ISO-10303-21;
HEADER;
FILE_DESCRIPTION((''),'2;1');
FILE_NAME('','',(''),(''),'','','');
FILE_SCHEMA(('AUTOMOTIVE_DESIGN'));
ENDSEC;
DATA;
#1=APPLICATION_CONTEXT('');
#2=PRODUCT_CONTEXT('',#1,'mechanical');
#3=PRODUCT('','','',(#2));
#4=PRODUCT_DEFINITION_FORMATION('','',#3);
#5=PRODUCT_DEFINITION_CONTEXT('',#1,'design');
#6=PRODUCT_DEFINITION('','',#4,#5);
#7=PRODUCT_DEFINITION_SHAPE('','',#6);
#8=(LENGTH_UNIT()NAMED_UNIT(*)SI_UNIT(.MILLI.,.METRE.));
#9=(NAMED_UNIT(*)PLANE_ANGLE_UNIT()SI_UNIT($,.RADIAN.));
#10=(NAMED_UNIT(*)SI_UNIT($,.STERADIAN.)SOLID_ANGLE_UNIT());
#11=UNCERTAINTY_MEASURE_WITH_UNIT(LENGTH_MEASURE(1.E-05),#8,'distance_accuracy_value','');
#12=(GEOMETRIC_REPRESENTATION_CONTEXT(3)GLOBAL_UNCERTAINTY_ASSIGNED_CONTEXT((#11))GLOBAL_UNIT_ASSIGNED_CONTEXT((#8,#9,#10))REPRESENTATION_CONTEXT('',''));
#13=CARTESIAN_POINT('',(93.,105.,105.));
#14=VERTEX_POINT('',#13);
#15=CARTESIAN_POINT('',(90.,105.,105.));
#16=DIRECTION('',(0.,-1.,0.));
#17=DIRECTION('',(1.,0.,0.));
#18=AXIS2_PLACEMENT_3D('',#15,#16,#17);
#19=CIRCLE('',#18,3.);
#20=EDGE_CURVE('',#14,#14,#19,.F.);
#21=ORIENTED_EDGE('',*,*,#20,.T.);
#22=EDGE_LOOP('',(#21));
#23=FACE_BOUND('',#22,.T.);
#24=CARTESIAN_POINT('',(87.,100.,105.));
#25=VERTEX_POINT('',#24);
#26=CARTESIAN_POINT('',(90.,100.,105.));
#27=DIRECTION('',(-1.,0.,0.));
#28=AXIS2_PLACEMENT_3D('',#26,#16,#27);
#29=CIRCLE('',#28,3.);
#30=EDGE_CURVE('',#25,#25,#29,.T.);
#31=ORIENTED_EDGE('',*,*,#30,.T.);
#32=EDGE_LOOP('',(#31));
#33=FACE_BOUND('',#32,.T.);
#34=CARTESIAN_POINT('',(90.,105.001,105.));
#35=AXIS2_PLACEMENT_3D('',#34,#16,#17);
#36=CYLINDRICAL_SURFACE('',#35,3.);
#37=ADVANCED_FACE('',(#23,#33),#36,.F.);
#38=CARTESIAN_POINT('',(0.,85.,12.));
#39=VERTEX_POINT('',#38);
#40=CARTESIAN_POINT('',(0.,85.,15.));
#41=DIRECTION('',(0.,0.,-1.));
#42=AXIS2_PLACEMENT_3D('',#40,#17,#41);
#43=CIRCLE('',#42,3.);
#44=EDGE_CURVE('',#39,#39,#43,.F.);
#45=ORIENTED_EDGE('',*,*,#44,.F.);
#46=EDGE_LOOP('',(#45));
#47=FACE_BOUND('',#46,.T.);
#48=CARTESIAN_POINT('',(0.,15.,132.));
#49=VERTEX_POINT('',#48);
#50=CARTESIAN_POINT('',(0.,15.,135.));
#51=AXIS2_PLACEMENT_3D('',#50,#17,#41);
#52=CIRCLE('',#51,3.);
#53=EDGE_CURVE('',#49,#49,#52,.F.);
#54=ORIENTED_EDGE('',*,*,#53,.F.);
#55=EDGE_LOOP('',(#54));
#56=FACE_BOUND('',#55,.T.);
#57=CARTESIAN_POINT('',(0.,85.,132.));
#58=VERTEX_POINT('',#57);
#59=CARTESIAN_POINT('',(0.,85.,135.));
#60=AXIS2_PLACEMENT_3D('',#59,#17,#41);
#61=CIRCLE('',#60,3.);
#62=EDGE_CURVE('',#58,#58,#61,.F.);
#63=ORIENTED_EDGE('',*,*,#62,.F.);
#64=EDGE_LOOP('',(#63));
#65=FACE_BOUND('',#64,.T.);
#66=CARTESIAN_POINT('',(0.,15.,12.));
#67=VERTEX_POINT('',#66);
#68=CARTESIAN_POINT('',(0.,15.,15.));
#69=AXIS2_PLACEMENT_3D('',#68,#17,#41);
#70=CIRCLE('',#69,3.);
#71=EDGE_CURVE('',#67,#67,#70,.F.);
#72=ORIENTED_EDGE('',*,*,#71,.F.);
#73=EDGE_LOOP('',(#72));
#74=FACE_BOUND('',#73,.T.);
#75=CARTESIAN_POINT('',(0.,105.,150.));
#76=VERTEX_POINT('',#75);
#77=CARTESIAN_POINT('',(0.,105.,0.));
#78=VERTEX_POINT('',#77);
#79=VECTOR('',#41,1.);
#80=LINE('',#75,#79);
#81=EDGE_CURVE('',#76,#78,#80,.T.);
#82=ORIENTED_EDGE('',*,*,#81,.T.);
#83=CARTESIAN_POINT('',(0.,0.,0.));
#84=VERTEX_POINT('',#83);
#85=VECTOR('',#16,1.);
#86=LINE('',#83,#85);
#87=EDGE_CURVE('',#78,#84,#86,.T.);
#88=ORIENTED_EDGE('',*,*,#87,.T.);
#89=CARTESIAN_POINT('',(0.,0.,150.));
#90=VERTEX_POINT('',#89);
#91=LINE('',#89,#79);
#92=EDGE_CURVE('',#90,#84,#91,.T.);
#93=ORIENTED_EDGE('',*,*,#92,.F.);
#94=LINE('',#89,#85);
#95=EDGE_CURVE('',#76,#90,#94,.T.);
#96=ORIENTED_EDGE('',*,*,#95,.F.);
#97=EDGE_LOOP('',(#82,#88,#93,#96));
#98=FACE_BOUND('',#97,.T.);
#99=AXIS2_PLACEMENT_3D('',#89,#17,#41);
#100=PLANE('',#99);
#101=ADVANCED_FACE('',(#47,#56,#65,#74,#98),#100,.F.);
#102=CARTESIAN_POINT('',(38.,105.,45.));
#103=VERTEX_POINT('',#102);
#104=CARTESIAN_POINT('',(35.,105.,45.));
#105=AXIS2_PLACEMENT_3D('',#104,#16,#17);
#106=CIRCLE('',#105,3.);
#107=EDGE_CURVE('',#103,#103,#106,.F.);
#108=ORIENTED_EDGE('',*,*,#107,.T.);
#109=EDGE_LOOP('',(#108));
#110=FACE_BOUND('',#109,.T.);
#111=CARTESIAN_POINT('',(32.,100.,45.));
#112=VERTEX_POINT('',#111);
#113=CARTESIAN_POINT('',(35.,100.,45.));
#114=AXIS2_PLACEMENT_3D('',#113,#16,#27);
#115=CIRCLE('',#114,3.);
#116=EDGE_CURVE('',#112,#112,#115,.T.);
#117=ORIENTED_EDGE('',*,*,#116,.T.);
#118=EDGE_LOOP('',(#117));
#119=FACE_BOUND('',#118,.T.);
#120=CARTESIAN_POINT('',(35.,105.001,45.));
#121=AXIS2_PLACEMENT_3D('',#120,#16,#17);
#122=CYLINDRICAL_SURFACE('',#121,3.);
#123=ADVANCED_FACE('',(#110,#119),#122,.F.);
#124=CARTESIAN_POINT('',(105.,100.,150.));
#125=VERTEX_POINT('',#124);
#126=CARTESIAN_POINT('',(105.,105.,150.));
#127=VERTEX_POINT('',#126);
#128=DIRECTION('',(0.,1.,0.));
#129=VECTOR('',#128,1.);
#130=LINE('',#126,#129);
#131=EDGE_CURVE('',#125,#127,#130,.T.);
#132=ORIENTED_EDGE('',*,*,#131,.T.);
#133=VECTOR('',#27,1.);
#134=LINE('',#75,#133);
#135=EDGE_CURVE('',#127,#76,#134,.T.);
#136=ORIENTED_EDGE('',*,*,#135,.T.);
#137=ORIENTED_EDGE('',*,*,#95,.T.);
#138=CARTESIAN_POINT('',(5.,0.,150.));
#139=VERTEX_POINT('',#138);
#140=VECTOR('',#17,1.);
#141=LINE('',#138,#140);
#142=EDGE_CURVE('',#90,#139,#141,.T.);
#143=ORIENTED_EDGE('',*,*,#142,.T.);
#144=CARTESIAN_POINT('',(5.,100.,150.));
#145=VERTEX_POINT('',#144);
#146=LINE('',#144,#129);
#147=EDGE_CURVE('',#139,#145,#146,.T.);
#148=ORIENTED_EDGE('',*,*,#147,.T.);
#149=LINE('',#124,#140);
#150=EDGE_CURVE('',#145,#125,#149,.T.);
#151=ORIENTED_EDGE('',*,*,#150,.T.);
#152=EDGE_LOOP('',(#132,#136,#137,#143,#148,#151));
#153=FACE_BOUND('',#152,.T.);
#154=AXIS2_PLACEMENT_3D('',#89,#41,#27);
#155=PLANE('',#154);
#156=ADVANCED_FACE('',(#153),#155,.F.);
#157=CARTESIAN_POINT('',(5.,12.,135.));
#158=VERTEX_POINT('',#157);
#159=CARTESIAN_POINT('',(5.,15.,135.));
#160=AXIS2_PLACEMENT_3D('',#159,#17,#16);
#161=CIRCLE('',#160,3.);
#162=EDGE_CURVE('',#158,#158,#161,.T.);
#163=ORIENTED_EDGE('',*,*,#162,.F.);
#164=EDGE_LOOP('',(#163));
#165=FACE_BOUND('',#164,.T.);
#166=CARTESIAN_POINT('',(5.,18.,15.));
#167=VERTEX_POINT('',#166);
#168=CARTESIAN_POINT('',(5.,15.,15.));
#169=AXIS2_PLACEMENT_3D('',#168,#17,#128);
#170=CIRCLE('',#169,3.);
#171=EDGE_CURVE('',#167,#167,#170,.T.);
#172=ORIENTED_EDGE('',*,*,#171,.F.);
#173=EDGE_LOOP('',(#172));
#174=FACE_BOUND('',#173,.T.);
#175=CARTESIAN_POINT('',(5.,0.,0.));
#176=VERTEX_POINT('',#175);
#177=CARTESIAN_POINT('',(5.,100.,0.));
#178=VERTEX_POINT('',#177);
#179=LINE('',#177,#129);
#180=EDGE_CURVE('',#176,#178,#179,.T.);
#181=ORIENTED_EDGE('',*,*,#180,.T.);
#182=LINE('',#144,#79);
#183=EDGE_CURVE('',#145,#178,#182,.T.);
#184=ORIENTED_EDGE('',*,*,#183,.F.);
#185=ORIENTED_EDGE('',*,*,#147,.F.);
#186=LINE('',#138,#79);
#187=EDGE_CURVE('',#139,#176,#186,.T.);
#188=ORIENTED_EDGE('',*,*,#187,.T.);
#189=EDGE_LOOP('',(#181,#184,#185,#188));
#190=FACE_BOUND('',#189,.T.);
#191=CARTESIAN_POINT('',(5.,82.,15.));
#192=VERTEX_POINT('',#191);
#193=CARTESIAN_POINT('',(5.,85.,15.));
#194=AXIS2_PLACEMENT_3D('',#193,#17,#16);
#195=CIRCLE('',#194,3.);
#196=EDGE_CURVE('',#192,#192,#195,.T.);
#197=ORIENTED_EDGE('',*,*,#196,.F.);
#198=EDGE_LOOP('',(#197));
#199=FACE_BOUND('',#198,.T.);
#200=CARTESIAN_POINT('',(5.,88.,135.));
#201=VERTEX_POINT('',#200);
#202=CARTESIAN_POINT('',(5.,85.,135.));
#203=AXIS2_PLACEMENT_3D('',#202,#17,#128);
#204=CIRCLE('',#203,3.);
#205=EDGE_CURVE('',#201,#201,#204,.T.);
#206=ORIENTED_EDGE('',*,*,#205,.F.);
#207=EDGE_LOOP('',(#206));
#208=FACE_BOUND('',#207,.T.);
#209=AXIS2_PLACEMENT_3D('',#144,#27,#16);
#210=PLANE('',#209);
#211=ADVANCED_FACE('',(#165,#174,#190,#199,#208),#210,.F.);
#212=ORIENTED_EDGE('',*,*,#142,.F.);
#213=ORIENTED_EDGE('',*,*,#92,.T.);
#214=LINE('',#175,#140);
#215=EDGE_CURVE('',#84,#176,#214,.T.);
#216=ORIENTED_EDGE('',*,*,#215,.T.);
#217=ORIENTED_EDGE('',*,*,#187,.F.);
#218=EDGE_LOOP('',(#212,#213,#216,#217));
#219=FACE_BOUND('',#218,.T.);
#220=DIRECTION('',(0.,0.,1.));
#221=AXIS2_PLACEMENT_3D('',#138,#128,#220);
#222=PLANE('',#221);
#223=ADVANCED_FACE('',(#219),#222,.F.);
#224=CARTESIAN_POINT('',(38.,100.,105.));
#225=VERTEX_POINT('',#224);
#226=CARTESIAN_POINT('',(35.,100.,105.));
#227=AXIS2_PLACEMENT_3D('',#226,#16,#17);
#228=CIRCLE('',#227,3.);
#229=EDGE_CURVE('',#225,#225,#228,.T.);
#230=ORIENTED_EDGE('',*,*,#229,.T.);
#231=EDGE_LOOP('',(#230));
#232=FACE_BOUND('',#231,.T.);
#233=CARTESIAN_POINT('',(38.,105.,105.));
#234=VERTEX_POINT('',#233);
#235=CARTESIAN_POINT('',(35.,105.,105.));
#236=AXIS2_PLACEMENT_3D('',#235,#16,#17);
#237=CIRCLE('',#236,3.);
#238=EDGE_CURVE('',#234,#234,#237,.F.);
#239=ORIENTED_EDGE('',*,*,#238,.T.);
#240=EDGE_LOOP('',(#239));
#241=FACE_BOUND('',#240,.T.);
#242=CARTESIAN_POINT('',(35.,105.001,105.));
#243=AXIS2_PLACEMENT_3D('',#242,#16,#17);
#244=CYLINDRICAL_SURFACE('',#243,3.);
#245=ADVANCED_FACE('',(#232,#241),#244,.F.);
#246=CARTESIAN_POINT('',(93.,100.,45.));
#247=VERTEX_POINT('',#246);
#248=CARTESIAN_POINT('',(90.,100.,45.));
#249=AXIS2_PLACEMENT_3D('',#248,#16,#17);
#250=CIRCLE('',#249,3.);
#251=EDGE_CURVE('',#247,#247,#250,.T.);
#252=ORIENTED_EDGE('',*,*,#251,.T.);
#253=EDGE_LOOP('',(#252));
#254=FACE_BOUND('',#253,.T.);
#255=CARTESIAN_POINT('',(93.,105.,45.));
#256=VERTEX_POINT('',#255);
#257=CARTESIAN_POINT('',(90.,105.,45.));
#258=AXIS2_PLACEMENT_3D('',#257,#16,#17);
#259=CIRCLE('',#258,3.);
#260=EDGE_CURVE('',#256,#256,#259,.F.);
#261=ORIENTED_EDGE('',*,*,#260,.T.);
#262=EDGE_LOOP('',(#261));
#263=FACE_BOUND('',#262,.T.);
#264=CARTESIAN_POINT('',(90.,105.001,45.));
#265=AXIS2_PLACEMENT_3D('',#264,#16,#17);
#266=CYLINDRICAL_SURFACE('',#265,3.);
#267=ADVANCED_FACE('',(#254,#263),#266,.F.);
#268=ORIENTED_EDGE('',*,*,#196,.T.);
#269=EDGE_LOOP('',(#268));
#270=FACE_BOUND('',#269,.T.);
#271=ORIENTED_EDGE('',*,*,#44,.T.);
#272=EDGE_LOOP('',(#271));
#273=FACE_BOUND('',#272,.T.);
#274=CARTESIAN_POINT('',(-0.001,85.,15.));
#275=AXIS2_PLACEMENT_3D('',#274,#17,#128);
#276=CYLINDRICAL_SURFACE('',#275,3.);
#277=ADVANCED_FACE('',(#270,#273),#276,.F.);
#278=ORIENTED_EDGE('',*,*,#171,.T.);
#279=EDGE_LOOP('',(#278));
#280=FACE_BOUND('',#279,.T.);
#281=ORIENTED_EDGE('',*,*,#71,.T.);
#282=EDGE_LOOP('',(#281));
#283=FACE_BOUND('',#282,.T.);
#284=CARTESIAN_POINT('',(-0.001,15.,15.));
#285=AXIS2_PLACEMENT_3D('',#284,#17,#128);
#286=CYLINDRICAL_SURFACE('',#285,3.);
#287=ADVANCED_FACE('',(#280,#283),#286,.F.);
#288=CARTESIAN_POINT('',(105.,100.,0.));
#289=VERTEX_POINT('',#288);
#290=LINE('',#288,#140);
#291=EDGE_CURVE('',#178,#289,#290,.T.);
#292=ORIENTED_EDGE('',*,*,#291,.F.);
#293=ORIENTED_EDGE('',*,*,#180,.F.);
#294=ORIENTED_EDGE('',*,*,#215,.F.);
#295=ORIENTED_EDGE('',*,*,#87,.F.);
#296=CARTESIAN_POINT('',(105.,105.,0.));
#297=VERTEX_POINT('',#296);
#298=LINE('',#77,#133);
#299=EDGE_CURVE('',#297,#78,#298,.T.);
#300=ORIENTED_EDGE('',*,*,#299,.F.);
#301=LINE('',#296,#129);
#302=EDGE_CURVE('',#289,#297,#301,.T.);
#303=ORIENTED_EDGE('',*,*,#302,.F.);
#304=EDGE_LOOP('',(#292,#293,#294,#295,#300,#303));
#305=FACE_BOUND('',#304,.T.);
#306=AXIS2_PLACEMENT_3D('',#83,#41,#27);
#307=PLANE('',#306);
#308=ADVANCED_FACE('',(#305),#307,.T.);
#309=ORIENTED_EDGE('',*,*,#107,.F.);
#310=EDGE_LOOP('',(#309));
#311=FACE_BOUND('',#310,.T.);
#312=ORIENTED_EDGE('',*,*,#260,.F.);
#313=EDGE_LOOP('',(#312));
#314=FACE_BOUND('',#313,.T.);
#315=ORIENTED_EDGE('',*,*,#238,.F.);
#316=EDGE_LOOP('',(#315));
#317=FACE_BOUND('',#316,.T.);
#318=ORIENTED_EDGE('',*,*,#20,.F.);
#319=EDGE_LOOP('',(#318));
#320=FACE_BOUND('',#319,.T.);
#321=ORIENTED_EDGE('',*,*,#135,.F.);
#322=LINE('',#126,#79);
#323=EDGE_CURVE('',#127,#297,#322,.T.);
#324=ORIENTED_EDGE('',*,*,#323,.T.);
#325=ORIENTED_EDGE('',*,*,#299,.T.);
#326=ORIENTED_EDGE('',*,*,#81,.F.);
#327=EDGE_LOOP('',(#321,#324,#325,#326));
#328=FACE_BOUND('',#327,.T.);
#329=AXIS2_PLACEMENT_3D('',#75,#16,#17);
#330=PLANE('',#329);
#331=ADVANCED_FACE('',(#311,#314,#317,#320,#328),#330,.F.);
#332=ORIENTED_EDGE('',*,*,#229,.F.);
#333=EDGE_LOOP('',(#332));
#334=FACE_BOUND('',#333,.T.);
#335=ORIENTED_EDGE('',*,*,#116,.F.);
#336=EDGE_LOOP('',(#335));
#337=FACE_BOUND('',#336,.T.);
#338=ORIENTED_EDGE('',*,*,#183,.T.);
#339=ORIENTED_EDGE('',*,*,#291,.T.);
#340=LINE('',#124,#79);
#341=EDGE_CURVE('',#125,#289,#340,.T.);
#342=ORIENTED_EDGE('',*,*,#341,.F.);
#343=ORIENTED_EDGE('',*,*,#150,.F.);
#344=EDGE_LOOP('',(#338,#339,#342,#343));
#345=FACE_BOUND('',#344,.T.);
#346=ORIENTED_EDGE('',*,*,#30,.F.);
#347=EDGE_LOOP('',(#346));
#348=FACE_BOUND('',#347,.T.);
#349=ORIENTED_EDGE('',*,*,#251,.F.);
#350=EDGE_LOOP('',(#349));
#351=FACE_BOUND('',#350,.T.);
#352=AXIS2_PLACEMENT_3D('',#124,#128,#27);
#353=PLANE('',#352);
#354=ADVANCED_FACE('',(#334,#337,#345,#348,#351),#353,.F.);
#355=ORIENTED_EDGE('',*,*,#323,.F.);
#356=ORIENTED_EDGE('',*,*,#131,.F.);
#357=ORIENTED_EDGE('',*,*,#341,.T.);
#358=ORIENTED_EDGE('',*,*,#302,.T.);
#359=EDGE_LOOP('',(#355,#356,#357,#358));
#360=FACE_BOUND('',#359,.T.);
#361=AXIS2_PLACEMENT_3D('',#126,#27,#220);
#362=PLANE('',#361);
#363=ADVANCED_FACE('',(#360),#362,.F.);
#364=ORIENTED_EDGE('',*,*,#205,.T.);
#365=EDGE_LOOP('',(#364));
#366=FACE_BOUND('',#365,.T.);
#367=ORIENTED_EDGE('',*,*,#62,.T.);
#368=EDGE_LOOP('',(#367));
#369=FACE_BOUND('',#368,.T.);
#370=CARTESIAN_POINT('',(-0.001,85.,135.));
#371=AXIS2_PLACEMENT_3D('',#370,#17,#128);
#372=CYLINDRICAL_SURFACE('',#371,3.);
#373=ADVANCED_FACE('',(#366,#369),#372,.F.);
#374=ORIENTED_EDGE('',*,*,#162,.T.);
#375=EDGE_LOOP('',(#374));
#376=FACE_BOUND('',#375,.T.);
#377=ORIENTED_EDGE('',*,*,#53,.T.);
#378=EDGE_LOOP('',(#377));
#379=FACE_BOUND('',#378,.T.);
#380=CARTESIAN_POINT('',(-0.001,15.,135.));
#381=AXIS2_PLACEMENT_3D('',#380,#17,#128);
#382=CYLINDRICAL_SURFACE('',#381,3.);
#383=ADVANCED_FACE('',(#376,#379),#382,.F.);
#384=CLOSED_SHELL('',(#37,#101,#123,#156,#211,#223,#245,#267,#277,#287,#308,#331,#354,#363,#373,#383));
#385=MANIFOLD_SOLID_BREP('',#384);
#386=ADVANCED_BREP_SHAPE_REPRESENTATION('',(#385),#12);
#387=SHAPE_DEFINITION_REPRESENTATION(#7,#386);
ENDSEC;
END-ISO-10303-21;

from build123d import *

# Parameters (mm, degrees)
BOSS_EXTRUDE1_DEPTH = 150
CUT_EXTRUDE1_REACH  = 210.626
SKETCH2_R           = 3
CUT_EXTRUDE2_REACH  = 210.626
SKETCH3_R           = 3


with BuildPart() as part:
    # Sketch1 → Boss-Extrude1 (new body)
    with BuildSketch(Plane.XY):
        Polygon((0, 0), (0, 105), (105, 105), (105, 100), (5, 100), (5, 0), align=None)
    extrude(amount=BOSS_EXTRUDE1_DEPTH)

    # Sketch2 → Cut-Extrude1 (cut, up to next)
    with BuildSketch(Plane(origin=(5, 0, 0), x_dir=(0, 0, -1), z_dir=(1, 0, 0)), mode=Mode.PRIVATE) as cut_extrude1_sk1:
        with Locations(Location((-135, 85, 0), (0, 0, 90))):
            Circle(SKETCH2_R)
    cut_extrude1_tool1 = extrude(cut_extrude1_sk1.sketch, amount=-CUT_EXTRUDE1_REACH, mode=Mode.PRIVATE) & part.part
    # Sketch2 → Cut-Extrude1 (cut, up to next)
    with BuildSketch(Plane(origin=(5, 0, 0), x_dir=(0, 0, -1), z_dir=(1, 0, 0)), mode=Mode.PRIVATE) as cut_extrude1_sk2:
        with Locations((-15, 85)):
            Circle(SKETCH2_R)
    cut_extrude1_tool2 = extrude(cut_extrude1_sk2.sketch, amount=-CUT_EXTRUDE1_REACH, mode=Mode.PRIVATE) & part.part
    # Sketch2 → Cut-Extrude1 (cut, up to next)
    with BuildSketch(Plane(origin=(5, 0, 0), x_dir=(0, 0, -1), z_dir=(1, 0, 0)), mode=Mode.PRIVATE) as cut_extrude1_sk3:
        with Locations(Location((-15, 15, 0), (0, 0, 90))):
            Circle(SKETCH2_R)
    cut_extrude1_tool3 = extrude(cut_extrude1_sk3.sketch, amount=-CUT_EXTRUDE1_REACH, mode=Mode.PRIVATE) & part.part
    # Sketch2 → Cut-Extrude1 (cut, up to next)
    with BuildSketch(Plane(origin=(5, 0, 0), x_dir=(0, 0, -1), z_dir=(1, 0, 0)), mode=Mode.PRIVATE) as cut_extrude1_sk4:
        with Locations((-135, 15)):
            Circle(SKETCH2_R)
    cut_extrude1_tool4 = extrude(cut_extrude1_sk4.sketch, amount=-CUT_EXTRUDE1_REACH, mode=Mode.PRIVATE) & part.part
    add(cut_extrude1_tool1.solids().sort_by_distance((5, 85, 135))[0], mode=Mode.SUBTRACT)
    add(cut_extrude1_tool2.solids().sort_by_distance((5, 85, 15))[0], mode=Mode.SUBTRACT)
    add(cut_extrude1_tool3.solids().sort_by_distance((5, 15, 15))[0], mode=Mode.SUBTRACT)
    add(cut_extrude1_tool4.solids().sort_by_distance((5, 15, 135))[0], mode=Mode.SUBTRACT)

    # Sketch3 → Cut-Extrude2 (cut, up to next)
    with BuildSketch(Plane.XZ.offset(-100), mode=Mode.PRIVATE) as cut_extrude2_sk1:
        with Locations((35, 105)):
            Circle(SKETCH3_R)
    cut_extrude2_tool1 = extrude(cut_extrude2_sk1.sketch, amount=-CUT_EXTRUDE2_REACH, mode=Mode.PRIVATE) & part.part
    # Sketch3 → Cut-Extrude2 (cut, up to next)
    with BuildSketch(Plane.XZ.offset(-100), mode=Mode.PRIVATE) as cut_extrude2_sk2:
        with Locations((90, 105)):
            Circle(SKETCH3_R)
    cut_extrude2_tool2 = extrude(cut_extrude2_sk2.sketch, amount=-CUT_EXTRUDE2_REACH, mode=Mode.PRIVATE) & part.part
    # Sketch3 → Cut-Extrude2 (cut, up to next)
    with BuildSketch(Plane.XZ.offset(-100), mode=Mode.PRIVATE) as cut_extrude2_sk3:
        with Locations((90, 45)):
            Circle(SKETCH3_R)
    cut_extrude2_tool3 = extrude(cut_extrude2_sk3.sketch, amount=-CUT_EXTRUDE2_REACH, mode=Mode.PRIVATE) & part.part
    # Sketch3 → Cut-Extrude2 (cut, up to next)
    with BuildSketch(Plane.XZ.offset(-100), mode=Mode.PRIVATE) as cut_extrude2_sk4:
        with Locations((35, 45)):
            Circle(SKETCH3_R)
    cut_extrude2_tool4 = extrude(cut_extrude2_sk4.sketch, amount=-CUT_EXTRUDE2_REACH, mode=Mode.PRIVATE) & part.part
    add(cut_extrude2_tool1.solids().sort_by_distance((35, 100, 105))[0], mode=Mode.SUBTRACT)
    add(cut_extrude2_tool2.solids().sort_by_distance((90, 100, 105))[0], mode=Mode.SUBTRACT)
    add(cut_extrude2_tool3.solids().sort_by_distance((90, 100, 45))[0], mode=Mode.SUBTRACT)
    add(cut_extrude2_tool4.solids().sort_by_distance((35, 100, 45))[0], mode=Mode.SUBTRACT)


solid = part.part
